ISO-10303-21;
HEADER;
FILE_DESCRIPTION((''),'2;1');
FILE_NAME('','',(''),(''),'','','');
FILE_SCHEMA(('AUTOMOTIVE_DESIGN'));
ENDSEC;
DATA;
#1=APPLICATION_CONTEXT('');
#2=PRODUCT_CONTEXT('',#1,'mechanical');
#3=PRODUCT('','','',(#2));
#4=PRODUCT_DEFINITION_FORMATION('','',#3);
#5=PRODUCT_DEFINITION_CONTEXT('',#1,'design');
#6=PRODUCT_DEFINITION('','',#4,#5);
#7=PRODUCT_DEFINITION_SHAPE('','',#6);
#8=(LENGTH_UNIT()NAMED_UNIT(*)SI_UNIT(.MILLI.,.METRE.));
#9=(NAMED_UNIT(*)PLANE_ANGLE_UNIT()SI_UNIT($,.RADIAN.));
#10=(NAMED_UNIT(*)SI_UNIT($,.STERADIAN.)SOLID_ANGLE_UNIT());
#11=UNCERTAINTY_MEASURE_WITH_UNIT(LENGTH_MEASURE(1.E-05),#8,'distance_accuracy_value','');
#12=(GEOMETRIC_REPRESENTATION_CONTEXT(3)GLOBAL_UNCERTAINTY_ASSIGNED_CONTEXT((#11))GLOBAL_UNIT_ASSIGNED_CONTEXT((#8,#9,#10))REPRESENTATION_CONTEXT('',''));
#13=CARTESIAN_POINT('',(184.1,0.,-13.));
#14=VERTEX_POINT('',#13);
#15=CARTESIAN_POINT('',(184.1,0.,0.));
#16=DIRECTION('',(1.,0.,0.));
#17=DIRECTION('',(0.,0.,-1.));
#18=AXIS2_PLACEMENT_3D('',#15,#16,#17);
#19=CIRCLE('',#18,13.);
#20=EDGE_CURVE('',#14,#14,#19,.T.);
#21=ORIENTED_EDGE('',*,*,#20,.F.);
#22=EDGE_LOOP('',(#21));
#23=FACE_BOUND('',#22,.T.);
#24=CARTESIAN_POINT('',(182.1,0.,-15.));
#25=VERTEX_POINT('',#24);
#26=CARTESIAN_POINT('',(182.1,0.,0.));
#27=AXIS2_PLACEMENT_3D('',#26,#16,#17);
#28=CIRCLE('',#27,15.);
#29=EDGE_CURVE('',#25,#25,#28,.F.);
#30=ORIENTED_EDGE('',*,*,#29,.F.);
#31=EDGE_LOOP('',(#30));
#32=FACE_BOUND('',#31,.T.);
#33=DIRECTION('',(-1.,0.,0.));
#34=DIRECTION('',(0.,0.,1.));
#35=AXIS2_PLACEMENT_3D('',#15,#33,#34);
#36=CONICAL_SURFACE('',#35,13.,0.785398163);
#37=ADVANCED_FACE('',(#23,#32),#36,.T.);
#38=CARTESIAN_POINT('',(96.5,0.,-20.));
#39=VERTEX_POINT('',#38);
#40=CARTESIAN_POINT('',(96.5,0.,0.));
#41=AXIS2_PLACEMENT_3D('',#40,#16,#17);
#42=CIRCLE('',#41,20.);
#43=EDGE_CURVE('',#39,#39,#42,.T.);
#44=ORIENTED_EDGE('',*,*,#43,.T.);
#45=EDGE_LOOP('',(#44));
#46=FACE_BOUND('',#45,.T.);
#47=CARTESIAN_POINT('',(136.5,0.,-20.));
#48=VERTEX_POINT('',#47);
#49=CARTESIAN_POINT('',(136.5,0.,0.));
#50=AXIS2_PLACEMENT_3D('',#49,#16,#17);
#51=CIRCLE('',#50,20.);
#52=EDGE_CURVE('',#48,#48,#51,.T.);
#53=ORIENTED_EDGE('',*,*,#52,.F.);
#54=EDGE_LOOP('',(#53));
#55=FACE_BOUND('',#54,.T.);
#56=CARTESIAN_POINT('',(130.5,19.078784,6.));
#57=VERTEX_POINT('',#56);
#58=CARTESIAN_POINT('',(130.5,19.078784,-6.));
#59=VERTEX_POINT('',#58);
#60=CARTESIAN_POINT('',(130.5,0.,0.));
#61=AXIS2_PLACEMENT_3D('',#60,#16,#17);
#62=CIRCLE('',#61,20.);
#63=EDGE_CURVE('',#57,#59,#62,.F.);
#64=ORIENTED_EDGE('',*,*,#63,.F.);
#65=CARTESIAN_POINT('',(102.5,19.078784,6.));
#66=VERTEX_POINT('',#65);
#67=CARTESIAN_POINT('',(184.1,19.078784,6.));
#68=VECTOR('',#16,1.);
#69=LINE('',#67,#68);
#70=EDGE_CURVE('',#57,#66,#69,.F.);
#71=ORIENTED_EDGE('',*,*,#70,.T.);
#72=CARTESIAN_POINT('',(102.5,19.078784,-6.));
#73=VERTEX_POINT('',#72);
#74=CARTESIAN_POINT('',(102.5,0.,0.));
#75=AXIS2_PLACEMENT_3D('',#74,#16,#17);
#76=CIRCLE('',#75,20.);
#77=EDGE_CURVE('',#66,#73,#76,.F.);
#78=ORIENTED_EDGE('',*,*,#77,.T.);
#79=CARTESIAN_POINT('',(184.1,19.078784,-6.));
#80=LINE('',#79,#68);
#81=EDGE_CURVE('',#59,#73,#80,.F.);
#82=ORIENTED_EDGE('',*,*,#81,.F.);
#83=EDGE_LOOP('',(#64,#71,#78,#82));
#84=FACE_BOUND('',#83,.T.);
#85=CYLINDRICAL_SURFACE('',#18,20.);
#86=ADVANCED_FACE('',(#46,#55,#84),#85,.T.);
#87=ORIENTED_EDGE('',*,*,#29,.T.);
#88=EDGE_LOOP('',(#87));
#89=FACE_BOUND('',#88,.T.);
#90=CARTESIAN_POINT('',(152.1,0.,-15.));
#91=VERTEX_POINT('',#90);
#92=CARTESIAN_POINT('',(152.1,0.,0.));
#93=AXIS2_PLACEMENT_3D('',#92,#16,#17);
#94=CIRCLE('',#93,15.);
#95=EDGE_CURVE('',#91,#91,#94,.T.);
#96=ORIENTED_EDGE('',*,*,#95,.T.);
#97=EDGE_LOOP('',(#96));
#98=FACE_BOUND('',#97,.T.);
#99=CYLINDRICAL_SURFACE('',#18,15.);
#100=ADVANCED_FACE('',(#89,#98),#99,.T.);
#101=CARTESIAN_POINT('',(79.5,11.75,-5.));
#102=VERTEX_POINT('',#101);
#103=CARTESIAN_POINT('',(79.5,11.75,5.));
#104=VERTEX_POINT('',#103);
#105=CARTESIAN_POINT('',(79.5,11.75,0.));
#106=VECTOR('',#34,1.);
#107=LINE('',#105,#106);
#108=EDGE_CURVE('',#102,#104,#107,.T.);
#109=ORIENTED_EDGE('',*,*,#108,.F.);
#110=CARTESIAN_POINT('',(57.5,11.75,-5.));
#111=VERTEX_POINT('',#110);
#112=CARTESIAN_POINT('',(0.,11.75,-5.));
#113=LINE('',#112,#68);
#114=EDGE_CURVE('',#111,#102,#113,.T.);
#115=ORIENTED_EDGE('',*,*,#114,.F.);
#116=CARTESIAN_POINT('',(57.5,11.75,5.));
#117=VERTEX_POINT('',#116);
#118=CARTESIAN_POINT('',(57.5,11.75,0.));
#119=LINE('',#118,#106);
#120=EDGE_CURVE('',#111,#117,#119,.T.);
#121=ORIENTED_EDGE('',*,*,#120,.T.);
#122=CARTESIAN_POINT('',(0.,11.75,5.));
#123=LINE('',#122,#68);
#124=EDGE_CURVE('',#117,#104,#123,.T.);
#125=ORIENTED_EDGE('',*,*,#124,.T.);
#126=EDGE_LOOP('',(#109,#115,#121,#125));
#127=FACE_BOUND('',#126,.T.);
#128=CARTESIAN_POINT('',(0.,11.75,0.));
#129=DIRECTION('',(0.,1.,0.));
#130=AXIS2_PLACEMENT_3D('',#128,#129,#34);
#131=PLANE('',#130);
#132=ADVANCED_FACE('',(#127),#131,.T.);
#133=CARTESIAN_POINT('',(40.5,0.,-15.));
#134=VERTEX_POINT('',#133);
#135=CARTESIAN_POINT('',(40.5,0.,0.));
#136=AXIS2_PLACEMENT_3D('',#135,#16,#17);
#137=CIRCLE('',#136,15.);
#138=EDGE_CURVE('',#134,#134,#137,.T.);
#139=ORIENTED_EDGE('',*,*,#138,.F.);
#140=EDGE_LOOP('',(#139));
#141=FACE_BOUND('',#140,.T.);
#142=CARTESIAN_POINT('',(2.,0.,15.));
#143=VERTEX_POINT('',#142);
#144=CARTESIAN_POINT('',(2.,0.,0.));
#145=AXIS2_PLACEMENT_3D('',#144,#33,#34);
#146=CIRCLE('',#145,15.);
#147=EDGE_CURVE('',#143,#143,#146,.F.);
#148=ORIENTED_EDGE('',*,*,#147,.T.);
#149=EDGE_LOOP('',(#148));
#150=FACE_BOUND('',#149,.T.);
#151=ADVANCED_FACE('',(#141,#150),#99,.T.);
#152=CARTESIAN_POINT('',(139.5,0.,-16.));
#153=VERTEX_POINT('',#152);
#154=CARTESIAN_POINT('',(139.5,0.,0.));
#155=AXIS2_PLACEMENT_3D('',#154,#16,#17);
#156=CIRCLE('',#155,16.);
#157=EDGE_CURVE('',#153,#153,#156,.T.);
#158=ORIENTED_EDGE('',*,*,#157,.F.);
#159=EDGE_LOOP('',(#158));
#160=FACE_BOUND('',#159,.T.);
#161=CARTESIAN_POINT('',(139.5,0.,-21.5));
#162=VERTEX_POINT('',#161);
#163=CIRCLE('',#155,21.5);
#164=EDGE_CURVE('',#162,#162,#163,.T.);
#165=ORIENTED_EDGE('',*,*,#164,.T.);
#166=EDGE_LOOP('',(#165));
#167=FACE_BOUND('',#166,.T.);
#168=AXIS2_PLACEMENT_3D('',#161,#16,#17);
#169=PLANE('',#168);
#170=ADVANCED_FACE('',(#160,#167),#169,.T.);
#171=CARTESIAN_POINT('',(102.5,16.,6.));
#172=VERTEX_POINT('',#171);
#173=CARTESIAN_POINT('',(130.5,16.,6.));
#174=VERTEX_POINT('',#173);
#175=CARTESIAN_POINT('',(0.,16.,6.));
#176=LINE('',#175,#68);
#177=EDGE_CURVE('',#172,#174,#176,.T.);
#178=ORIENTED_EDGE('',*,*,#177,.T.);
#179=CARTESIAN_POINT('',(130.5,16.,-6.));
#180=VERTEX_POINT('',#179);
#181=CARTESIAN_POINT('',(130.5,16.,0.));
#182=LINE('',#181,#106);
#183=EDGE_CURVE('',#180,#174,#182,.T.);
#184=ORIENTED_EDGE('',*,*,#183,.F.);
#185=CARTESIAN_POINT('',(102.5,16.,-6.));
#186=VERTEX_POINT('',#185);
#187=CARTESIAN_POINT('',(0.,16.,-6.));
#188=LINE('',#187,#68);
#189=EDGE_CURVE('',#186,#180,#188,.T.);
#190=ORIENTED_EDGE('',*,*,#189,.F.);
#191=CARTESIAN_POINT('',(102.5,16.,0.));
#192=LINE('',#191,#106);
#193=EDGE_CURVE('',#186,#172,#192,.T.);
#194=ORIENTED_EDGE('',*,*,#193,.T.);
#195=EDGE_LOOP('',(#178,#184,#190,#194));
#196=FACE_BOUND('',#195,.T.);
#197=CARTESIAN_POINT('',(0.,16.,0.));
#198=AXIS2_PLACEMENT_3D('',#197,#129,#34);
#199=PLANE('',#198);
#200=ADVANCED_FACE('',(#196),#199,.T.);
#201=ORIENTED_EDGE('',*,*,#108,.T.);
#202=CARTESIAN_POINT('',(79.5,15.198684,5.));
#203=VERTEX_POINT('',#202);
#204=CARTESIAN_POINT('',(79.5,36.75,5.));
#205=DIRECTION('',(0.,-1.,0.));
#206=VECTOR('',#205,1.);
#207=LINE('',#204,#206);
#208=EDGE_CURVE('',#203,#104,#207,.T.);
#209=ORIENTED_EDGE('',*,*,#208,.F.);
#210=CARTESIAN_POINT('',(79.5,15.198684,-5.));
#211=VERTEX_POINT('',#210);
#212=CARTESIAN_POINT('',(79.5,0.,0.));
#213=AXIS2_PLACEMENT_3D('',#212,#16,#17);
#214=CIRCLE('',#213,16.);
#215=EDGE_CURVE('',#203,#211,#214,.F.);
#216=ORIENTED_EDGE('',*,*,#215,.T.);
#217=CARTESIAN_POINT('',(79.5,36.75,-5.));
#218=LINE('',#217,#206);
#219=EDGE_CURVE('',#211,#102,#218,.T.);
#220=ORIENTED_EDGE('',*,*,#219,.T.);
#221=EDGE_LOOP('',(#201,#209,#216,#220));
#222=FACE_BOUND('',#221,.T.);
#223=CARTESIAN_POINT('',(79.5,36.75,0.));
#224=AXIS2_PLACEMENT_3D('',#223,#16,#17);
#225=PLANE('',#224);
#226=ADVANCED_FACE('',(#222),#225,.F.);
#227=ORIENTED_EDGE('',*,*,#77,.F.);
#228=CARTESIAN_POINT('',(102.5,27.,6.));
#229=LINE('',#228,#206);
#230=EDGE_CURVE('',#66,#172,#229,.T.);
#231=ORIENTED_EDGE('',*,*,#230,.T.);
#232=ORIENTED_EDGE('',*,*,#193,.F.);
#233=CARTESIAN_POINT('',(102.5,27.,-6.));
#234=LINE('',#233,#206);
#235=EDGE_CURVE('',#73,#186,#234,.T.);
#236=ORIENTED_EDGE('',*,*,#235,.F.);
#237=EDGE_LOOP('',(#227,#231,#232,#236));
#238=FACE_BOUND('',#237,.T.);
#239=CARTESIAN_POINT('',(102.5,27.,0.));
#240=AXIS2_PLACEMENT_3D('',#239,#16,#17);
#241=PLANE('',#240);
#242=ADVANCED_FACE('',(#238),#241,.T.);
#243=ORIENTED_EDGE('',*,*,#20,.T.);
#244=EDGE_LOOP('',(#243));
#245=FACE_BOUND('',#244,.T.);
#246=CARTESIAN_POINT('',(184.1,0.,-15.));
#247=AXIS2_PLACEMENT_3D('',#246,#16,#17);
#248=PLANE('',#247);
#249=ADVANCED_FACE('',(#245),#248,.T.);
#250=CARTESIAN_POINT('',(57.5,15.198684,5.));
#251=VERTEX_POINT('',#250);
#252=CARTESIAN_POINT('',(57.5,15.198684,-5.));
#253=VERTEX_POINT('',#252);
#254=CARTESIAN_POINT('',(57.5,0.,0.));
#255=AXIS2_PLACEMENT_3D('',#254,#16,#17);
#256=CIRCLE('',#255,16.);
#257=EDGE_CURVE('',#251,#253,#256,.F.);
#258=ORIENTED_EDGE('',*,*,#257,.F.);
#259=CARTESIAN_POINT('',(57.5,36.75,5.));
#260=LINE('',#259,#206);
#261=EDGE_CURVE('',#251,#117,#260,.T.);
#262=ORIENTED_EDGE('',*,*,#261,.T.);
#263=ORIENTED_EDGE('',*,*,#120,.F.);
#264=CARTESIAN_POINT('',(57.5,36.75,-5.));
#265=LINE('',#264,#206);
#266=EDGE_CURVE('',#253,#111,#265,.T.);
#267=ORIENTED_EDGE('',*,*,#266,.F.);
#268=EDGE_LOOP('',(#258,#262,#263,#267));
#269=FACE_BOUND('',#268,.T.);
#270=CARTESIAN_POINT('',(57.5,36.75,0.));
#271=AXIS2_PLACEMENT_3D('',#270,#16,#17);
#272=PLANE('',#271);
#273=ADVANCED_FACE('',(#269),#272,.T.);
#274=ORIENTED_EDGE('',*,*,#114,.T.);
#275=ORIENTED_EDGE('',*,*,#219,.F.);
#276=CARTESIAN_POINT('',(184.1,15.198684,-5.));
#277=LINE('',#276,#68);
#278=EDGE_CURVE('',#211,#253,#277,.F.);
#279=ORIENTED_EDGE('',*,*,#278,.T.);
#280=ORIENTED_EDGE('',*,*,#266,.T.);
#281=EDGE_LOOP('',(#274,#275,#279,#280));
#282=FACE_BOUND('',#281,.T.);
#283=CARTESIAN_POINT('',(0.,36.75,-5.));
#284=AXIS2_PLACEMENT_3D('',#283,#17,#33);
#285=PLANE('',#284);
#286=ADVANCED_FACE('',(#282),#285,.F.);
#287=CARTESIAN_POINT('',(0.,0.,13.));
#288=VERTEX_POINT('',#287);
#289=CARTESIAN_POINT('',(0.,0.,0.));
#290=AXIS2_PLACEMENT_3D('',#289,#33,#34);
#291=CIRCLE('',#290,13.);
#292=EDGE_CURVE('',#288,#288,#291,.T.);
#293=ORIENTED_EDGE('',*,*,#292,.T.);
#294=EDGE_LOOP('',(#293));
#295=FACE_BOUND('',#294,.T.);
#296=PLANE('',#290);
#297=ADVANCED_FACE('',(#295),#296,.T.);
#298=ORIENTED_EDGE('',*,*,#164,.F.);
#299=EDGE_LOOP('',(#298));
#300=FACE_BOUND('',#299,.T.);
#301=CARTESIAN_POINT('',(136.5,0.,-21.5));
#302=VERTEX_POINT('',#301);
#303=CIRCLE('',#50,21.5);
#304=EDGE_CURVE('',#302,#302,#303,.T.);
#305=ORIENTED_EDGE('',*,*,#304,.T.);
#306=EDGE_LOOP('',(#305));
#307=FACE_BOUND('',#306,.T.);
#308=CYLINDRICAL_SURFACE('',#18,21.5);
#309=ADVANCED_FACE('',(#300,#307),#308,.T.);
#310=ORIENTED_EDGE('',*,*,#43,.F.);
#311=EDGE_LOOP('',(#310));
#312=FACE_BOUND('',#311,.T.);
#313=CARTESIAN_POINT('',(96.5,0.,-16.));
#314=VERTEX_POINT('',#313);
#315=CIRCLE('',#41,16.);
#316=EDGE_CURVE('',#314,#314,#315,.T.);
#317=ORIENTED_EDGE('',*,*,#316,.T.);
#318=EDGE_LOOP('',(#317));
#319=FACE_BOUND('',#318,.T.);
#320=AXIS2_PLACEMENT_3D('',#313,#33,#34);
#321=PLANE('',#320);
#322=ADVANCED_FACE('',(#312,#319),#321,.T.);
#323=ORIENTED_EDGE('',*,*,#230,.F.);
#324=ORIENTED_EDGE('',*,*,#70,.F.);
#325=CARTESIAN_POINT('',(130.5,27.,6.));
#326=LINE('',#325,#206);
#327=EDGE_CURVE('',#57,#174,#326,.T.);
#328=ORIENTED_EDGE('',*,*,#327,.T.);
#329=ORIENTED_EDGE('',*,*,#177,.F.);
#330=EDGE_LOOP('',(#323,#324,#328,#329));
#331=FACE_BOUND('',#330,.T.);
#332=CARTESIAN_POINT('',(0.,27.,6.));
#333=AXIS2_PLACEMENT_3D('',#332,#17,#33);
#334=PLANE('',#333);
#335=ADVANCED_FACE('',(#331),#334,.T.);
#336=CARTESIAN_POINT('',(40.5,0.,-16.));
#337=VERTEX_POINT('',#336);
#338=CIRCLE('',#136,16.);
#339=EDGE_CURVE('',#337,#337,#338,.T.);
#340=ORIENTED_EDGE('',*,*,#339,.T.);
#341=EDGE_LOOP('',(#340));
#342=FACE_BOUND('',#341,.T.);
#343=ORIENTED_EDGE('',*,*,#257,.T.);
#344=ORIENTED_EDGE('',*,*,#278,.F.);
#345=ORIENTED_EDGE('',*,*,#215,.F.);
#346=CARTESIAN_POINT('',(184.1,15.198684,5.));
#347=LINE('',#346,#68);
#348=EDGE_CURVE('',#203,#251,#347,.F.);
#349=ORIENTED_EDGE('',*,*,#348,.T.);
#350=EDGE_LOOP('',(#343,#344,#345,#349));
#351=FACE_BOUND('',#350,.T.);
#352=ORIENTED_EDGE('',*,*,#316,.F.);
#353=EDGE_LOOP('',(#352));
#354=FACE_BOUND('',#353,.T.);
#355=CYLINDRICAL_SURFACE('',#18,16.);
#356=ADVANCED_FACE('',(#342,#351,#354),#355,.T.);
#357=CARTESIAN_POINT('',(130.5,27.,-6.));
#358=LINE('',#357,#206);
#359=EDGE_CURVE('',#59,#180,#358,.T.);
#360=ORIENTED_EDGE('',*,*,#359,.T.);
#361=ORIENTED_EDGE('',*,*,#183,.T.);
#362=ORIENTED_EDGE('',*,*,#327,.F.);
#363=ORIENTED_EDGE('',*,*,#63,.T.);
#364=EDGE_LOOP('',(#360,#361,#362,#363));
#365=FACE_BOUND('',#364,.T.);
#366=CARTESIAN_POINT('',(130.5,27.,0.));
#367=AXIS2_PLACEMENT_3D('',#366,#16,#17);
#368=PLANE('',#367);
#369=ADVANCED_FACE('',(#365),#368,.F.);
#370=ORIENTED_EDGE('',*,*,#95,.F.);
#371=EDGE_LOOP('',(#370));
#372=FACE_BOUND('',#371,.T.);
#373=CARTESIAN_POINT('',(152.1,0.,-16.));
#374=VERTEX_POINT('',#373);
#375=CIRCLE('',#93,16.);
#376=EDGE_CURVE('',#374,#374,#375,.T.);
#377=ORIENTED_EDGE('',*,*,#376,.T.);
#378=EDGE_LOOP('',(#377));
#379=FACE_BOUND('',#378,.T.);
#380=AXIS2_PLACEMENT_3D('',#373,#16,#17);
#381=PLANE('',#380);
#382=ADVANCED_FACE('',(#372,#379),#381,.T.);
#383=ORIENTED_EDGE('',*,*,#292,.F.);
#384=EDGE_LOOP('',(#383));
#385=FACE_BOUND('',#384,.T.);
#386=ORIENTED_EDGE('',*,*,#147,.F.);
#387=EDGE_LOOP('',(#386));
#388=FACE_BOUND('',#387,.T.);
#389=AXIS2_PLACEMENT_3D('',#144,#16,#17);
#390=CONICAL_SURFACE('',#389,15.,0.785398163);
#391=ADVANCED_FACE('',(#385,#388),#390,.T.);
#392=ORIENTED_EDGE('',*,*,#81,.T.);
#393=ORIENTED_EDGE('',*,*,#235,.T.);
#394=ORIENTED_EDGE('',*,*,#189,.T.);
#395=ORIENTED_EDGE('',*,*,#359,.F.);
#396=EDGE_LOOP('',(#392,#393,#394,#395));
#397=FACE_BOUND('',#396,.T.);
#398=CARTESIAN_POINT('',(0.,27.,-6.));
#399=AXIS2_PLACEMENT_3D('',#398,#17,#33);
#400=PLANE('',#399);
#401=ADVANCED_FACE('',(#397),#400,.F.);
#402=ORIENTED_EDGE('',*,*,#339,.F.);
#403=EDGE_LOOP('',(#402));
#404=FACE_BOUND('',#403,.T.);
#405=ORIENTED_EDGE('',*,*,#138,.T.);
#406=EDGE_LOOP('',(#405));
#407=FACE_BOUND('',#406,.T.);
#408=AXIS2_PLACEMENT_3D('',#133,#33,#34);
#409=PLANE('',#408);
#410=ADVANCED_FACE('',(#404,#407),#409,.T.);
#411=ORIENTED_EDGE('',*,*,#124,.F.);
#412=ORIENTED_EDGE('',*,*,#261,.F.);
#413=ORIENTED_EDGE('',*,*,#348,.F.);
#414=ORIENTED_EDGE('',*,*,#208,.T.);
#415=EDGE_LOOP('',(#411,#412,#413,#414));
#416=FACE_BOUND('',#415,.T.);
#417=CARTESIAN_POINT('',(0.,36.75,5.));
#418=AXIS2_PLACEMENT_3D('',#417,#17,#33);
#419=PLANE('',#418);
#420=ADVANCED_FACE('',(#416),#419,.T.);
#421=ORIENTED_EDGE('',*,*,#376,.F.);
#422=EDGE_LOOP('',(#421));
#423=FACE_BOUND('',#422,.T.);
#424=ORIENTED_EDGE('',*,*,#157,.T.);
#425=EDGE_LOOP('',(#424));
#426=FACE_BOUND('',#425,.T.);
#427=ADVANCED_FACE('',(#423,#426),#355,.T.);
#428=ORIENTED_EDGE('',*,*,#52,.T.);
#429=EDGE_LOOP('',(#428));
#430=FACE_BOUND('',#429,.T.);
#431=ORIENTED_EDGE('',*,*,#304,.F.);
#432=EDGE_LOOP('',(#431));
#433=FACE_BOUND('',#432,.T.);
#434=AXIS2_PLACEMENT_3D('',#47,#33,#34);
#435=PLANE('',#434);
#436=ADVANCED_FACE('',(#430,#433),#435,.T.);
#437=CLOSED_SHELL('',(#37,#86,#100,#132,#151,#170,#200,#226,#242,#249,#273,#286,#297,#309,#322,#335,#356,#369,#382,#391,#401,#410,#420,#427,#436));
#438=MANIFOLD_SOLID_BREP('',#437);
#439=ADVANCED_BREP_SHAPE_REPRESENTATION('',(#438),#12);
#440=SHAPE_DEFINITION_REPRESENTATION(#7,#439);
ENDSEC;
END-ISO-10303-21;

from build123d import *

# Parameters (mm, degrees)
CHAMFER_1_SIZE      = 2
CUT_EXTRUDE_START   = 11.75
SKETCH_3_W          = 22
SKETCH_3_H          = 5
CUT_EXTRUDE_1_DEPTH = 25
CUT_EXTRUDE_START_2 = 16
SKETCH_4_W          = 28
SKETCH_4_H          = 6
CUT_EXTRUDE_2_DEPTH = 11


with BuildPart() as part:
    # 草图2 → 旋转1 (revolve)
    with BuildSketch(Plane(origin=(0, 0, 0), x_dir=(1, 0, 0), z_dir=(0, 1, 0))):
        Polygon((0, 0), (0, 15), (40.5, 15), (40.5, 16), (96.5, 16), (96.5, 20), (136.5, 20), (136.5, 21.5), (139.5, 21.5), (139.5, 16), (152.1, 16), (152.1, 15), (184.1, 15), (184.1, 0), align=None)
    revolve(axis=Axis((184.1, 0, 0), (-1, 0, 0)))

    # 倒角1
    chamfer_1_edges = [part.edges().sort_by_distance(p)[0] for p in [
        (184.1, 0, 15),
        (0, 0, 15),
    ]]
    chamfer(chamfer_1_edges, length=CHAMFER_1_SIZE)

    # 草图3 → 切除-拉伸1 (cut)
    with BuildSketch(Plane(origin=(0, 0, 0), x_dir=(1, 0, 0), z_dir=(0, 1, 0)).offset(CUT_EXTRUDE_START)):
        with Locations((68.5, 2.5)):
            Rectangle(SKETCH_3_W, SKETCH_3_H)
        with Locations((68.5, -2.5)):
            Rectangle(SKETCH_3_W, SKETCH_3_H)
    extrude(amount=CUT_EXTRUDE_1_DEPTH, mode=Mode.SUBTRACT)

    # 草图4 → 切除-拉伸2 (cut)
    with BuildSketch(Plane(origin=(0, 0, 0), x_dir=(1, 0, 0), z_dir=(0, 1, 0)).offset(CUT_EXTRUDE_START_2)):
        with Locations((116.5, 3)):
            Rectangle(SKETCH_4_W, SKETCH_4_H)
        with Locations((116.5, -3)):
            Rectangle(SKETCH_4_W, SKETCH_4_H)
    extrude(amount=CUT_EXTRUDE_2_DEPTH, mode=Mode.SUBTRACT)


solid = part.part
